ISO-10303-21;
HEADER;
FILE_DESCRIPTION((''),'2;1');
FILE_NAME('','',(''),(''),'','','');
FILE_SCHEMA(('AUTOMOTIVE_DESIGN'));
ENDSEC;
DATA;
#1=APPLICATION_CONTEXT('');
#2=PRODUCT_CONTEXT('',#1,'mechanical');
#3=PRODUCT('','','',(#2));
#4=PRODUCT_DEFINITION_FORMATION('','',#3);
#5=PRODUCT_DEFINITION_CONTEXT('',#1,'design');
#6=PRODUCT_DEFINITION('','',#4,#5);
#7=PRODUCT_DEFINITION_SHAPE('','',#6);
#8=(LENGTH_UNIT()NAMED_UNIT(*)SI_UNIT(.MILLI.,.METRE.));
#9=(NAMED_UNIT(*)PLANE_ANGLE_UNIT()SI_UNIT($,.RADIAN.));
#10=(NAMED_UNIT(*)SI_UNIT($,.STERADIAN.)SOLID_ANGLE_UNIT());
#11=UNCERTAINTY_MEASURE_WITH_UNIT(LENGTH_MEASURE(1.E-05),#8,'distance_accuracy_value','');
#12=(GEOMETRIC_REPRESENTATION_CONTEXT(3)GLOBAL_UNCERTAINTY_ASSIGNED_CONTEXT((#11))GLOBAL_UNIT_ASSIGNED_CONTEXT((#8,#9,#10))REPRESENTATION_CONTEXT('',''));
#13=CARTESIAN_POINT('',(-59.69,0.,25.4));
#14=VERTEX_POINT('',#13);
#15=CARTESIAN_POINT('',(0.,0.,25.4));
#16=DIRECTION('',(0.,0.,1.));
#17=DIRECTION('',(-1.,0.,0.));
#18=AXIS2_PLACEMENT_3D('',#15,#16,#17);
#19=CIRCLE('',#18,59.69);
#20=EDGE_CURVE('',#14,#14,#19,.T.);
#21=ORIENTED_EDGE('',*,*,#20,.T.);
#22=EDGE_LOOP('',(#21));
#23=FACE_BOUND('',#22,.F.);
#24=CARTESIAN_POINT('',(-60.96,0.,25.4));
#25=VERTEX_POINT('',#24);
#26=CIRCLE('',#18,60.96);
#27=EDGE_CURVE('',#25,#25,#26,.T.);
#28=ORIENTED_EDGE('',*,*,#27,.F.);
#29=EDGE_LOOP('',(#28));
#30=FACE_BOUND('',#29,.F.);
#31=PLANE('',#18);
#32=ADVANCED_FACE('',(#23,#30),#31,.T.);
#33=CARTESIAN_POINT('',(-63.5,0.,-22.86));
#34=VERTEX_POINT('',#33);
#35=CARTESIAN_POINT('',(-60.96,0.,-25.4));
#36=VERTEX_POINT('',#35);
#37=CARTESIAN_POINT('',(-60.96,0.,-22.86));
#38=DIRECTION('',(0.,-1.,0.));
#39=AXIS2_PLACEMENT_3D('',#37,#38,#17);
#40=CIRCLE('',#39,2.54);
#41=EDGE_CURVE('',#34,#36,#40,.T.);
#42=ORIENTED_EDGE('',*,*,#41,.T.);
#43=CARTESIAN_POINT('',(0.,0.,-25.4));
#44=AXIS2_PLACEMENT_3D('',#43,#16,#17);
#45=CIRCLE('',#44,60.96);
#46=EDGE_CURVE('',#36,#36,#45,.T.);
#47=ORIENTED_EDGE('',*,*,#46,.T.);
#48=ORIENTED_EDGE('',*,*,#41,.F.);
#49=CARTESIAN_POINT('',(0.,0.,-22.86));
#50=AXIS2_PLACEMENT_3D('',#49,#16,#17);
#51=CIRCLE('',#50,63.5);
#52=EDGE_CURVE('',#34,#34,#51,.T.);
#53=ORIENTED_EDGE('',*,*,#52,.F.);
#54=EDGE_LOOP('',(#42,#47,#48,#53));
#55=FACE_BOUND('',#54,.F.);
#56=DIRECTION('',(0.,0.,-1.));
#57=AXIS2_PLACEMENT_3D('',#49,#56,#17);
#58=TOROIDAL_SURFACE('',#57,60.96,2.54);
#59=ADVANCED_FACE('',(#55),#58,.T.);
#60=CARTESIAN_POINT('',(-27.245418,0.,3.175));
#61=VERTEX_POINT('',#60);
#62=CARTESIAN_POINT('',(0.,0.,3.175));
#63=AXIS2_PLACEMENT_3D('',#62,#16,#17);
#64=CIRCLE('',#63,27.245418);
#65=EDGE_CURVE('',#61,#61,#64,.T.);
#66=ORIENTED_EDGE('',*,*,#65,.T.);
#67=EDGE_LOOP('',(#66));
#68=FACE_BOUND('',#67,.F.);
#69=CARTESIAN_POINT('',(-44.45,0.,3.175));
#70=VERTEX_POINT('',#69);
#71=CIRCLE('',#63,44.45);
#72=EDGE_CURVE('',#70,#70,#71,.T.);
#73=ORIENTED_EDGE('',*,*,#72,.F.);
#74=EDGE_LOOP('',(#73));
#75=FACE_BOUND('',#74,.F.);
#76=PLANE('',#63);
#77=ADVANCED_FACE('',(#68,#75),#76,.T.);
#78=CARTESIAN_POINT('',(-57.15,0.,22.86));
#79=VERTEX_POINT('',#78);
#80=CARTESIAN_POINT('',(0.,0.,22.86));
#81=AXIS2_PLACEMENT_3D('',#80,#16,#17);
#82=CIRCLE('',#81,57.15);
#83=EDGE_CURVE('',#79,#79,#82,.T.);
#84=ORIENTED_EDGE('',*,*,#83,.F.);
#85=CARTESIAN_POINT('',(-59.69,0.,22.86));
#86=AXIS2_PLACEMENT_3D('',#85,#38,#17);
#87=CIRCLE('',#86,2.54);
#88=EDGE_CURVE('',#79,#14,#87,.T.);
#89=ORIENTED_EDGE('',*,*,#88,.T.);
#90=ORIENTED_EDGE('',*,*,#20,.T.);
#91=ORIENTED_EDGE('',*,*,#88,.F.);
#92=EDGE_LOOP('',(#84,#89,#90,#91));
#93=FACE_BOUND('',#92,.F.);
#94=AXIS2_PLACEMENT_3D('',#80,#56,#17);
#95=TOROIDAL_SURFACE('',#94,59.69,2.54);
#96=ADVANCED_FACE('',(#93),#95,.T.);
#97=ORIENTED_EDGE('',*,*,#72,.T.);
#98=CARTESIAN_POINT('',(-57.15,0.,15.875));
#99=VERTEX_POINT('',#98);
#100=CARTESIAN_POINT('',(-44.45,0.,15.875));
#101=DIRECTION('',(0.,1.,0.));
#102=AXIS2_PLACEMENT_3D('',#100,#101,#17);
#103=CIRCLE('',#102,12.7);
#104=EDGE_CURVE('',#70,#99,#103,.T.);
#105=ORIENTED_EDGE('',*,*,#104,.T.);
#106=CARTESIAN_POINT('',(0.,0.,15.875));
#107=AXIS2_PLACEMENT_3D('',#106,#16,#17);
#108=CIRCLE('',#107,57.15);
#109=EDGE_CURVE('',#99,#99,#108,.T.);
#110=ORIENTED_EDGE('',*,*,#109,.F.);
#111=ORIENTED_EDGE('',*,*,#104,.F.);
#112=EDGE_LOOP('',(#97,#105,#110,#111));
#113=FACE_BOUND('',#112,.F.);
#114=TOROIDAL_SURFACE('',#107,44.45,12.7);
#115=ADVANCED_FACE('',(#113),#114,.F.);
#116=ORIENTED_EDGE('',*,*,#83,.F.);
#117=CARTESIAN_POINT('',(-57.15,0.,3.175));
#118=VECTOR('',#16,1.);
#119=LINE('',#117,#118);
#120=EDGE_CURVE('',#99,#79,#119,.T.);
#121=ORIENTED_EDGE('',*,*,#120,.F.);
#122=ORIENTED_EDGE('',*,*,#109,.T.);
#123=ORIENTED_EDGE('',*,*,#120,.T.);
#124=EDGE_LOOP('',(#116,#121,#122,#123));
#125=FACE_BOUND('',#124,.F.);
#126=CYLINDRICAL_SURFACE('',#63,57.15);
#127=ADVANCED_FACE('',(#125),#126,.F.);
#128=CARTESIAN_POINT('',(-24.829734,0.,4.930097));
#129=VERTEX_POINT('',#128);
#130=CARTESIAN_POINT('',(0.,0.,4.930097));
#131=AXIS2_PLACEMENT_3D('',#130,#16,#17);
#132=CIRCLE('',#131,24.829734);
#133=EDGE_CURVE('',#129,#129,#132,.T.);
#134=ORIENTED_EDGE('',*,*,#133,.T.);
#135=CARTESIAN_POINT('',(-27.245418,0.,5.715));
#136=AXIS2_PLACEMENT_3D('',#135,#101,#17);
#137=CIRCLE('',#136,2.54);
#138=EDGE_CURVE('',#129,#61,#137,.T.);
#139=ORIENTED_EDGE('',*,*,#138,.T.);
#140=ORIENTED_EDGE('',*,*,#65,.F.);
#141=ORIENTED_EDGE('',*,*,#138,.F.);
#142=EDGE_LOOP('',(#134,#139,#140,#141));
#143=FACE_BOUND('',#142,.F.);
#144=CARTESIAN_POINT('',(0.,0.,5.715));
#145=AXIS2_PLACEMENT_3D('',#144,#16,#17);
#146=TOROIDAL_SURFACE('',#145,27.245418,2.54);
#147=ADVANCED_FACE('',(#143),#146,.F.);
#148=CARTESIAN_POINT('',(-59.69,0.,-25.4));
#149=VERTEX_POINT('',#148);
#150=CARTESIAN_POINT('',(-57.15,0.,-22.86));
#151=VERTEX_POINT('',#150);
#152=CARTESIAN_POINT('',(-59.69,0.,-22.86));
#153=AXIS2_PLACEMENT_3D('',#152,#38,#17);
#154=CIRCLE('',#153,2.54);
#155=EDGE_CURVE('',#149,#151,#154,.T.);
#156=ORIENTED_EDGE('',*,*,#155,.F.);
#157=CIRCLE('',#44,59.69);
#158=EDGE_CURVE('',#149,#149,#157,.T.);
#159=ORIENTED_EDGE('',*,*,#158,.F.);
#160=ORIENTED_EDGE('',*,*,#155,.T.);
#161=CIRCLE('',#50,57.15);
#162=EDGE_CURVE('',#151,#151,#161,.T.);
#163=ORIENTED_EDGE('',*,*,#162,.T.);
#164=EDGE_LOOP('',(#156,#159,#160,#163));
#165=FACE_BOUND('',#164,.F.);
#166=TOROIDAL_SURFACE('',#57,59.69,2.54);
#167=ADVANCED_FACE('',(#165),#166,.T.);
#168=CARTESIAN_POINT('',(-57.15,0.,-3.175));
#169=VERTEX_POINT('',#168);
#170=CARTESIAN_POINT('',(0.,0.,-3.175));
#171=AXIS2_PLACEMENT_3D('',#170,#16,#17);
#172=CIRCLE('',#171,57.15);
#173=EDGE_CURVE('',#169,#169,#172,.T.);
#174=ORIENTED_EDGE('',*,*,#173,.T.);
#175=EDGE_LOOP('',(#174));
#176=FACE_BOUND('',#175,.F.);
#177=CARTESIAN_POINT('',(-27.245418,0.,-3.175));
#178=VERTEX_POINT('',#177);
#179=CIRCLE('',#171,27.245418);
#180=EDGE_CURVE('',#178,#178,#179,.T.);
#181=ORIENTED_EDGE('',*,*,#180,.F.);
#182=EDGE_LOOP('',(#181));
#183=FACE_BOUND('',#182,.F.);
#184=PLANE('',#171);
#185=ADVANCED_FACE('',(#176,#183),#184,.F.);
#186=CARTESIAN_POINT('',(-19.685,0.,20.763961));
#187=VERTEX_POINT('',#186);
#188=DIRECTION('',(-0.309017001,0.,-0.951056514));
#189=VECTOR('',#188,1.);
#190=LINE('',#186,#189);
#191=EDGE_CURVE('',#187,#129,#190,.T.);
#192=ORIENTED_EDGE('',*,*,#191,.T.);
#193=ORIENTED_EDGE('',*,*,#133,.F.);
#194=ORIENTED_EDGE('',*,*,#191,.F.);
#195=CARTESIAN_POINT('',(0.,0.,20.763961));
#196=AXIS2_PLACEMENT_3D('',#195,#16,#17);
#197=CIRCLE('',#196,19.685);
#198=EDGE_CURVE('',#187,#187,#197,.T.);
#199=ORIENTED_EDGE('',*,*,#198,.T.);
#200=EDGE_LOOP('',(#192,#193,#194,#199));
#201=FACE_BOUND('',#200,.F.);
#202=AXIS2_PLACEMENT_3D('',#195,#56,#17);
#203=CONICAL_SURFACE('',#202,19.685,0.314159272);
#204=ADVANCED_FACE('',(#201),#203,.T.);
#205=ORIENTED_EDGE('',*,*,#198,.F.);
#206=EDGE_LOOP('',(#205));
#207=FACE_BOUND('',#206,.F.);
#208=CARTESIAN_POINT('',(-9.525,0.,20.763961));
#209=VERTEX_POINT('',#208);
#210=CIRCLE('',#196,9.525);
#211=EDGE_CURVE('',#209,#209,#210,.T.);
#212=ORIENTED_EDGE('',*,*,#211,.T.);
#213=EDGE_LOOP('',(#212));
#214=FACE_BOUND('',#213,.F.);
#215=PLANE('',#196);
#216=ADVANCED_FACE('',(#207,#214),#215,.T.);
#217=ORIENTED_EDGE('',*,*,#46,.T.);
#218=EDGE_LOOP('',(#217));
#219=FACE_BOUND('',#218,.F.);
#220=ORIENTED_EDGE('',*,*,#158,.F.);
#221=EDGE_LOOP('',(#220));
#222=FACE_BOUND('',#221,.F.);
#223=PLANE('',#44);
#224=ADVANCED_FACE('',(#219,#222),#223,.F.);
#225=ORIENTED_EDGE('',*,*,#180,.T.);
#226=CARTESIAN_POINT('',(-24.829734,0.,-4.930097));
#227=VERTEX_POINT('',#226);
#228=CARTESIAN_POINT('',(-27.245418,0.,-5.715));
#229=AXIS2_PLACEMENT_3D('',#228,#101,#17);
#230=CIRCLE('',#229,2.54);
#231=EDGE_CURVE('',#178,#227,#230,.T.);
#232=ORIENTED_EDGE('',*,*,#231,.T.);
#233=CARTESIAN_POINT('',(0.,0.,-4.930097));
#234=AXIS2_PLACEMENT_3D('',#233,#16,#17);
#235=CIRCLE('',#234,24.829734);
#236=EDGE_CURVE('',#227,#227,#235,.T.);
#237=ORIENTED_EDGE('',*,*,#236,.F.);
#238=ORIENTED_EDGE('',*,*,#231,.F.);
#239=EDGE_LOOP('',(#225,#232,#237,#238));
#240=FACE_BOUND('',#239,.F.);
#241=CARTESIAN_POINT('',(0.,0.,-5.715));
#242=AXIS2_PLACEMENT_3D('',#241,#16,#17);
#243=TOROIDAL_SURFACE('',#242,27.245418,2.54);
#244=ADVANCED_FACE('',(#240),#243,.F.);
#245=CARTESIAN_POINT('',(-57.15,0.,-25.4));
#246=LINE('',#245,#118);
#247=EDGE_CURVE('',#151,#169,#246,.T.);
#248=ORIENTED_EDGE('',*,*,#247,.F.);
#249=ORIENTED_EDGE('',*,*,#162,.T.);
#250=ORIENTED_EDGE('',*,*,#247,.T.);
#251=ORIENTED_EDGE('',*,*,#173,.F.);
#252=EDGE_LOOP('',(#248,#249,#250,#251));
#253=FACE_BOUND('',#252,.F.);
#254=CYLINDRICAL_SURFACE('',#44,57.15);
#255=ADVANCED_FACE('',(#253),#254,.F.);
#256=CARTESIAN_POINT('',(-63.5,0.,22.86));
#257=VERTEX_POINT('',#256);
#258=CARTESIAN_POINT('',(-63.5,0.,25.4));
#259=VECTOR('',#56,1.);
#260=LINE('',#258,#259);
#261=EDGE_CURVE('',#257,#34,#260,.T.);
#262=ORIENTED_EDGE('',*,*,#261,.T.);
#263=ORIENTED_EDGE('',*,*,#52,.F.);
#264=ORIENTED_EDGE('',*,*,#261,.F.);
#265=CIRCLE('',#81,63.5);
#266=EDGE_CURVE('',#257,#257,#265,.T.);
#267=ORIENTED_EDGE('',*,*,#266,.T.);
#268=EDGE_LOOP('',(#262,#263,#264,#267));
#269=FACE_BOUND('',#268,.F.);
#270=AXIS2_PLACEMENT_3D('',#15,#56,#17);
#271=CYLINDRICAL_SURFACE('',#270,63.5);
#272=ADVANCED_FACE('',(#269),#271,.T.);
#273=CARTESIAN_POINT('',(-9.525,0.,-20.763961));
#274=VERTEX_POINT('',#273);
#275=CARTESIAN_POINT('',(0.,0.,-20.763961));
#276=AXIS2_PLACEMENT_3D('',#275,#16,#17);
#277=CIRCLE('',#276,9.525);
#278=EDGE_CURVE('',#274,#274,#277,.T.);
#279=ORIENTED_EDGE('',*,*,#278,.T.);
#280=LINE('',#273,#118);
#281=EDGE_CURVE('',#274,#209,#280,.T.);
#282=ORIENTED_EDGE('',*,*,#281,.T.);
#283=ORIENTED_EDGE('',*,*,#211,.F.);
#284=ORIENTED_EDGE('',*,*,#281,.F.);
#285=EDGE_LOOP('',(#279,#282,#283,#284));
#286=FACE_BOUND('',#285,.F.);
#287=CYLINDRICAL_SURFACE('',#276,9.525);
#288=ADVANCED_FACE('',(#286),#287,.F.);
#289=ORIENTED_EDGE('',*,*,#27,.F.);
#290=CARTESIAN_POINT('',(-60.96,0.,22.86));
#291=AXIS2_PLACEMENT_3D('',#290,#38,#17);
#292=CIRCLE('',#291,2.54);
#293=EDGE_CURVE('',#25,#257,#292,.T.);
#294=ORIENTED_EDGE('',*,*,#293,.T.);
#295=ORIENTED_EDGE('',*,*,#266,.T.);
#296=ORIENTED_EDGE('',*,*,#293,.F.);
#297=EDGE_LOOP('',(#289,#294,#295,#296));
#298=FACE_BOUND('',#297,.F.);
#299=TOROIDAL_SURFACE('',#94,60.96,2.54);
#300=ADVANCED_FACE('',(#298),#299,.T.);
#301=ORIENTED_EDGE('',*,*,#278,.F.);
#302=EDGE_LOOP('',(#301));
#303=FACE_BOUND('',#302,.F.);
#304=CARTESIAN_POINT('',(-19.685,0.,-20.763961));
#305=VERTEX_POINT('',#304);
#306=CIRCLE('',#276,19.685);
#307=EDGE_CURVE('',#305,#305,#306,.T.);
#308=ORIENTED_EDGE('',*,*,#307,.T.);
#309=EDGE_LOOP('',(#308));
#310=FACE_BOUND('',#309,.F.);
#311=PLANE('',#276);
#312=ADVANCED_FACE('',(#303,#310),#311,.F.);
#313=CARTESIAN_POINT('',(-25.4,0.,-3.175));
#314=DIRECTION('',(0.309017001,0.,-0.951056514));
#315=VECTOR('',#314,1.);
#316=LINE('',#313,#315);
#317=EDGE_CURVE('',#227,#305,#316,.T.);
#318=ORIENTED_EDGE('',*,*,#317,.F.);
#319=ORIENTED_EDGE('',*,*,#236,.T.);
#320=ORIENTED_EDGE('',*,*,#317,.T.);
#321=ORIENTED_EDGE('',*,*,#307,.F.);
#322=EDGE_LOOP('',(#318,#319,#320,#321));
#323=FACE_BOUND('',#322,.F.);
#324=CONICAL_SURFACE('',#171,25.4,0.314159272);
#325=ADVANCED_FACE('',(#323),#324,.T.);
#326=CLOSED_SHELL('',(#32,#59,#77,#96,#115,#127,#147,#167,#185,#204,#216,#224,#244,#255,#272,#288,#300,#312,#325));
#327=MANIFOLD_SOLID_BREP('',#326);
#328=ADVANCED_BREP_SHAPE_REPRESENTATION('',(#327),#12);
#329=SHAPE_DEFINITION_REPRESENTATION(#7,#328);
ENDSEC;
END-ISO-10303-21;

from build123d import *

# Parameters (mm, degrees)
F2_R = 2.54
F3_R = 12.7


with BuildPart() as f1:
    # F0 (on Front) → F1 (revolve)
    with BuildSketch(Plane.XZ):
        Polygon((-9.525, -20.763961), (-9.525, 0), (-9.525, 20.763961), (-19.685, 20.763961), (-25.4, 3.175), (-57.15, 3.175), (-57.15, 25.4), (-63.5, 25.4), (-63.5, 0), (-63.5, -25.4), (-57.15, -25.4), (-57.15, -3.175), (-25.4, -3.175), (-19.685, -20.763961), align=None)
    revolve(axis=Axis((0, 0, 28.310422), (0, 0, 1)))

    # F2
    f2_edges = [f1.edges().sort_by_distance(p)[0] for p in [
        (63.5, 0, 25.4),
        (57.15, 0, -25.4),
        (57.15, 0, 25.4),
        (63.5, 0, -25.4),
        (25.4, 0, -3.175),
        (25.4, 0, 3.175),
    ]]
    fillet(f2_edges, radius=F2_R)

    # F3
    f3_edges = [f1.edges().sort_by_distance(p)[0] for p in [
        (57.15, 0, 3.175),
    ]]
    fillet(f3_edges, radius=F3_R)


solid = f1.part
